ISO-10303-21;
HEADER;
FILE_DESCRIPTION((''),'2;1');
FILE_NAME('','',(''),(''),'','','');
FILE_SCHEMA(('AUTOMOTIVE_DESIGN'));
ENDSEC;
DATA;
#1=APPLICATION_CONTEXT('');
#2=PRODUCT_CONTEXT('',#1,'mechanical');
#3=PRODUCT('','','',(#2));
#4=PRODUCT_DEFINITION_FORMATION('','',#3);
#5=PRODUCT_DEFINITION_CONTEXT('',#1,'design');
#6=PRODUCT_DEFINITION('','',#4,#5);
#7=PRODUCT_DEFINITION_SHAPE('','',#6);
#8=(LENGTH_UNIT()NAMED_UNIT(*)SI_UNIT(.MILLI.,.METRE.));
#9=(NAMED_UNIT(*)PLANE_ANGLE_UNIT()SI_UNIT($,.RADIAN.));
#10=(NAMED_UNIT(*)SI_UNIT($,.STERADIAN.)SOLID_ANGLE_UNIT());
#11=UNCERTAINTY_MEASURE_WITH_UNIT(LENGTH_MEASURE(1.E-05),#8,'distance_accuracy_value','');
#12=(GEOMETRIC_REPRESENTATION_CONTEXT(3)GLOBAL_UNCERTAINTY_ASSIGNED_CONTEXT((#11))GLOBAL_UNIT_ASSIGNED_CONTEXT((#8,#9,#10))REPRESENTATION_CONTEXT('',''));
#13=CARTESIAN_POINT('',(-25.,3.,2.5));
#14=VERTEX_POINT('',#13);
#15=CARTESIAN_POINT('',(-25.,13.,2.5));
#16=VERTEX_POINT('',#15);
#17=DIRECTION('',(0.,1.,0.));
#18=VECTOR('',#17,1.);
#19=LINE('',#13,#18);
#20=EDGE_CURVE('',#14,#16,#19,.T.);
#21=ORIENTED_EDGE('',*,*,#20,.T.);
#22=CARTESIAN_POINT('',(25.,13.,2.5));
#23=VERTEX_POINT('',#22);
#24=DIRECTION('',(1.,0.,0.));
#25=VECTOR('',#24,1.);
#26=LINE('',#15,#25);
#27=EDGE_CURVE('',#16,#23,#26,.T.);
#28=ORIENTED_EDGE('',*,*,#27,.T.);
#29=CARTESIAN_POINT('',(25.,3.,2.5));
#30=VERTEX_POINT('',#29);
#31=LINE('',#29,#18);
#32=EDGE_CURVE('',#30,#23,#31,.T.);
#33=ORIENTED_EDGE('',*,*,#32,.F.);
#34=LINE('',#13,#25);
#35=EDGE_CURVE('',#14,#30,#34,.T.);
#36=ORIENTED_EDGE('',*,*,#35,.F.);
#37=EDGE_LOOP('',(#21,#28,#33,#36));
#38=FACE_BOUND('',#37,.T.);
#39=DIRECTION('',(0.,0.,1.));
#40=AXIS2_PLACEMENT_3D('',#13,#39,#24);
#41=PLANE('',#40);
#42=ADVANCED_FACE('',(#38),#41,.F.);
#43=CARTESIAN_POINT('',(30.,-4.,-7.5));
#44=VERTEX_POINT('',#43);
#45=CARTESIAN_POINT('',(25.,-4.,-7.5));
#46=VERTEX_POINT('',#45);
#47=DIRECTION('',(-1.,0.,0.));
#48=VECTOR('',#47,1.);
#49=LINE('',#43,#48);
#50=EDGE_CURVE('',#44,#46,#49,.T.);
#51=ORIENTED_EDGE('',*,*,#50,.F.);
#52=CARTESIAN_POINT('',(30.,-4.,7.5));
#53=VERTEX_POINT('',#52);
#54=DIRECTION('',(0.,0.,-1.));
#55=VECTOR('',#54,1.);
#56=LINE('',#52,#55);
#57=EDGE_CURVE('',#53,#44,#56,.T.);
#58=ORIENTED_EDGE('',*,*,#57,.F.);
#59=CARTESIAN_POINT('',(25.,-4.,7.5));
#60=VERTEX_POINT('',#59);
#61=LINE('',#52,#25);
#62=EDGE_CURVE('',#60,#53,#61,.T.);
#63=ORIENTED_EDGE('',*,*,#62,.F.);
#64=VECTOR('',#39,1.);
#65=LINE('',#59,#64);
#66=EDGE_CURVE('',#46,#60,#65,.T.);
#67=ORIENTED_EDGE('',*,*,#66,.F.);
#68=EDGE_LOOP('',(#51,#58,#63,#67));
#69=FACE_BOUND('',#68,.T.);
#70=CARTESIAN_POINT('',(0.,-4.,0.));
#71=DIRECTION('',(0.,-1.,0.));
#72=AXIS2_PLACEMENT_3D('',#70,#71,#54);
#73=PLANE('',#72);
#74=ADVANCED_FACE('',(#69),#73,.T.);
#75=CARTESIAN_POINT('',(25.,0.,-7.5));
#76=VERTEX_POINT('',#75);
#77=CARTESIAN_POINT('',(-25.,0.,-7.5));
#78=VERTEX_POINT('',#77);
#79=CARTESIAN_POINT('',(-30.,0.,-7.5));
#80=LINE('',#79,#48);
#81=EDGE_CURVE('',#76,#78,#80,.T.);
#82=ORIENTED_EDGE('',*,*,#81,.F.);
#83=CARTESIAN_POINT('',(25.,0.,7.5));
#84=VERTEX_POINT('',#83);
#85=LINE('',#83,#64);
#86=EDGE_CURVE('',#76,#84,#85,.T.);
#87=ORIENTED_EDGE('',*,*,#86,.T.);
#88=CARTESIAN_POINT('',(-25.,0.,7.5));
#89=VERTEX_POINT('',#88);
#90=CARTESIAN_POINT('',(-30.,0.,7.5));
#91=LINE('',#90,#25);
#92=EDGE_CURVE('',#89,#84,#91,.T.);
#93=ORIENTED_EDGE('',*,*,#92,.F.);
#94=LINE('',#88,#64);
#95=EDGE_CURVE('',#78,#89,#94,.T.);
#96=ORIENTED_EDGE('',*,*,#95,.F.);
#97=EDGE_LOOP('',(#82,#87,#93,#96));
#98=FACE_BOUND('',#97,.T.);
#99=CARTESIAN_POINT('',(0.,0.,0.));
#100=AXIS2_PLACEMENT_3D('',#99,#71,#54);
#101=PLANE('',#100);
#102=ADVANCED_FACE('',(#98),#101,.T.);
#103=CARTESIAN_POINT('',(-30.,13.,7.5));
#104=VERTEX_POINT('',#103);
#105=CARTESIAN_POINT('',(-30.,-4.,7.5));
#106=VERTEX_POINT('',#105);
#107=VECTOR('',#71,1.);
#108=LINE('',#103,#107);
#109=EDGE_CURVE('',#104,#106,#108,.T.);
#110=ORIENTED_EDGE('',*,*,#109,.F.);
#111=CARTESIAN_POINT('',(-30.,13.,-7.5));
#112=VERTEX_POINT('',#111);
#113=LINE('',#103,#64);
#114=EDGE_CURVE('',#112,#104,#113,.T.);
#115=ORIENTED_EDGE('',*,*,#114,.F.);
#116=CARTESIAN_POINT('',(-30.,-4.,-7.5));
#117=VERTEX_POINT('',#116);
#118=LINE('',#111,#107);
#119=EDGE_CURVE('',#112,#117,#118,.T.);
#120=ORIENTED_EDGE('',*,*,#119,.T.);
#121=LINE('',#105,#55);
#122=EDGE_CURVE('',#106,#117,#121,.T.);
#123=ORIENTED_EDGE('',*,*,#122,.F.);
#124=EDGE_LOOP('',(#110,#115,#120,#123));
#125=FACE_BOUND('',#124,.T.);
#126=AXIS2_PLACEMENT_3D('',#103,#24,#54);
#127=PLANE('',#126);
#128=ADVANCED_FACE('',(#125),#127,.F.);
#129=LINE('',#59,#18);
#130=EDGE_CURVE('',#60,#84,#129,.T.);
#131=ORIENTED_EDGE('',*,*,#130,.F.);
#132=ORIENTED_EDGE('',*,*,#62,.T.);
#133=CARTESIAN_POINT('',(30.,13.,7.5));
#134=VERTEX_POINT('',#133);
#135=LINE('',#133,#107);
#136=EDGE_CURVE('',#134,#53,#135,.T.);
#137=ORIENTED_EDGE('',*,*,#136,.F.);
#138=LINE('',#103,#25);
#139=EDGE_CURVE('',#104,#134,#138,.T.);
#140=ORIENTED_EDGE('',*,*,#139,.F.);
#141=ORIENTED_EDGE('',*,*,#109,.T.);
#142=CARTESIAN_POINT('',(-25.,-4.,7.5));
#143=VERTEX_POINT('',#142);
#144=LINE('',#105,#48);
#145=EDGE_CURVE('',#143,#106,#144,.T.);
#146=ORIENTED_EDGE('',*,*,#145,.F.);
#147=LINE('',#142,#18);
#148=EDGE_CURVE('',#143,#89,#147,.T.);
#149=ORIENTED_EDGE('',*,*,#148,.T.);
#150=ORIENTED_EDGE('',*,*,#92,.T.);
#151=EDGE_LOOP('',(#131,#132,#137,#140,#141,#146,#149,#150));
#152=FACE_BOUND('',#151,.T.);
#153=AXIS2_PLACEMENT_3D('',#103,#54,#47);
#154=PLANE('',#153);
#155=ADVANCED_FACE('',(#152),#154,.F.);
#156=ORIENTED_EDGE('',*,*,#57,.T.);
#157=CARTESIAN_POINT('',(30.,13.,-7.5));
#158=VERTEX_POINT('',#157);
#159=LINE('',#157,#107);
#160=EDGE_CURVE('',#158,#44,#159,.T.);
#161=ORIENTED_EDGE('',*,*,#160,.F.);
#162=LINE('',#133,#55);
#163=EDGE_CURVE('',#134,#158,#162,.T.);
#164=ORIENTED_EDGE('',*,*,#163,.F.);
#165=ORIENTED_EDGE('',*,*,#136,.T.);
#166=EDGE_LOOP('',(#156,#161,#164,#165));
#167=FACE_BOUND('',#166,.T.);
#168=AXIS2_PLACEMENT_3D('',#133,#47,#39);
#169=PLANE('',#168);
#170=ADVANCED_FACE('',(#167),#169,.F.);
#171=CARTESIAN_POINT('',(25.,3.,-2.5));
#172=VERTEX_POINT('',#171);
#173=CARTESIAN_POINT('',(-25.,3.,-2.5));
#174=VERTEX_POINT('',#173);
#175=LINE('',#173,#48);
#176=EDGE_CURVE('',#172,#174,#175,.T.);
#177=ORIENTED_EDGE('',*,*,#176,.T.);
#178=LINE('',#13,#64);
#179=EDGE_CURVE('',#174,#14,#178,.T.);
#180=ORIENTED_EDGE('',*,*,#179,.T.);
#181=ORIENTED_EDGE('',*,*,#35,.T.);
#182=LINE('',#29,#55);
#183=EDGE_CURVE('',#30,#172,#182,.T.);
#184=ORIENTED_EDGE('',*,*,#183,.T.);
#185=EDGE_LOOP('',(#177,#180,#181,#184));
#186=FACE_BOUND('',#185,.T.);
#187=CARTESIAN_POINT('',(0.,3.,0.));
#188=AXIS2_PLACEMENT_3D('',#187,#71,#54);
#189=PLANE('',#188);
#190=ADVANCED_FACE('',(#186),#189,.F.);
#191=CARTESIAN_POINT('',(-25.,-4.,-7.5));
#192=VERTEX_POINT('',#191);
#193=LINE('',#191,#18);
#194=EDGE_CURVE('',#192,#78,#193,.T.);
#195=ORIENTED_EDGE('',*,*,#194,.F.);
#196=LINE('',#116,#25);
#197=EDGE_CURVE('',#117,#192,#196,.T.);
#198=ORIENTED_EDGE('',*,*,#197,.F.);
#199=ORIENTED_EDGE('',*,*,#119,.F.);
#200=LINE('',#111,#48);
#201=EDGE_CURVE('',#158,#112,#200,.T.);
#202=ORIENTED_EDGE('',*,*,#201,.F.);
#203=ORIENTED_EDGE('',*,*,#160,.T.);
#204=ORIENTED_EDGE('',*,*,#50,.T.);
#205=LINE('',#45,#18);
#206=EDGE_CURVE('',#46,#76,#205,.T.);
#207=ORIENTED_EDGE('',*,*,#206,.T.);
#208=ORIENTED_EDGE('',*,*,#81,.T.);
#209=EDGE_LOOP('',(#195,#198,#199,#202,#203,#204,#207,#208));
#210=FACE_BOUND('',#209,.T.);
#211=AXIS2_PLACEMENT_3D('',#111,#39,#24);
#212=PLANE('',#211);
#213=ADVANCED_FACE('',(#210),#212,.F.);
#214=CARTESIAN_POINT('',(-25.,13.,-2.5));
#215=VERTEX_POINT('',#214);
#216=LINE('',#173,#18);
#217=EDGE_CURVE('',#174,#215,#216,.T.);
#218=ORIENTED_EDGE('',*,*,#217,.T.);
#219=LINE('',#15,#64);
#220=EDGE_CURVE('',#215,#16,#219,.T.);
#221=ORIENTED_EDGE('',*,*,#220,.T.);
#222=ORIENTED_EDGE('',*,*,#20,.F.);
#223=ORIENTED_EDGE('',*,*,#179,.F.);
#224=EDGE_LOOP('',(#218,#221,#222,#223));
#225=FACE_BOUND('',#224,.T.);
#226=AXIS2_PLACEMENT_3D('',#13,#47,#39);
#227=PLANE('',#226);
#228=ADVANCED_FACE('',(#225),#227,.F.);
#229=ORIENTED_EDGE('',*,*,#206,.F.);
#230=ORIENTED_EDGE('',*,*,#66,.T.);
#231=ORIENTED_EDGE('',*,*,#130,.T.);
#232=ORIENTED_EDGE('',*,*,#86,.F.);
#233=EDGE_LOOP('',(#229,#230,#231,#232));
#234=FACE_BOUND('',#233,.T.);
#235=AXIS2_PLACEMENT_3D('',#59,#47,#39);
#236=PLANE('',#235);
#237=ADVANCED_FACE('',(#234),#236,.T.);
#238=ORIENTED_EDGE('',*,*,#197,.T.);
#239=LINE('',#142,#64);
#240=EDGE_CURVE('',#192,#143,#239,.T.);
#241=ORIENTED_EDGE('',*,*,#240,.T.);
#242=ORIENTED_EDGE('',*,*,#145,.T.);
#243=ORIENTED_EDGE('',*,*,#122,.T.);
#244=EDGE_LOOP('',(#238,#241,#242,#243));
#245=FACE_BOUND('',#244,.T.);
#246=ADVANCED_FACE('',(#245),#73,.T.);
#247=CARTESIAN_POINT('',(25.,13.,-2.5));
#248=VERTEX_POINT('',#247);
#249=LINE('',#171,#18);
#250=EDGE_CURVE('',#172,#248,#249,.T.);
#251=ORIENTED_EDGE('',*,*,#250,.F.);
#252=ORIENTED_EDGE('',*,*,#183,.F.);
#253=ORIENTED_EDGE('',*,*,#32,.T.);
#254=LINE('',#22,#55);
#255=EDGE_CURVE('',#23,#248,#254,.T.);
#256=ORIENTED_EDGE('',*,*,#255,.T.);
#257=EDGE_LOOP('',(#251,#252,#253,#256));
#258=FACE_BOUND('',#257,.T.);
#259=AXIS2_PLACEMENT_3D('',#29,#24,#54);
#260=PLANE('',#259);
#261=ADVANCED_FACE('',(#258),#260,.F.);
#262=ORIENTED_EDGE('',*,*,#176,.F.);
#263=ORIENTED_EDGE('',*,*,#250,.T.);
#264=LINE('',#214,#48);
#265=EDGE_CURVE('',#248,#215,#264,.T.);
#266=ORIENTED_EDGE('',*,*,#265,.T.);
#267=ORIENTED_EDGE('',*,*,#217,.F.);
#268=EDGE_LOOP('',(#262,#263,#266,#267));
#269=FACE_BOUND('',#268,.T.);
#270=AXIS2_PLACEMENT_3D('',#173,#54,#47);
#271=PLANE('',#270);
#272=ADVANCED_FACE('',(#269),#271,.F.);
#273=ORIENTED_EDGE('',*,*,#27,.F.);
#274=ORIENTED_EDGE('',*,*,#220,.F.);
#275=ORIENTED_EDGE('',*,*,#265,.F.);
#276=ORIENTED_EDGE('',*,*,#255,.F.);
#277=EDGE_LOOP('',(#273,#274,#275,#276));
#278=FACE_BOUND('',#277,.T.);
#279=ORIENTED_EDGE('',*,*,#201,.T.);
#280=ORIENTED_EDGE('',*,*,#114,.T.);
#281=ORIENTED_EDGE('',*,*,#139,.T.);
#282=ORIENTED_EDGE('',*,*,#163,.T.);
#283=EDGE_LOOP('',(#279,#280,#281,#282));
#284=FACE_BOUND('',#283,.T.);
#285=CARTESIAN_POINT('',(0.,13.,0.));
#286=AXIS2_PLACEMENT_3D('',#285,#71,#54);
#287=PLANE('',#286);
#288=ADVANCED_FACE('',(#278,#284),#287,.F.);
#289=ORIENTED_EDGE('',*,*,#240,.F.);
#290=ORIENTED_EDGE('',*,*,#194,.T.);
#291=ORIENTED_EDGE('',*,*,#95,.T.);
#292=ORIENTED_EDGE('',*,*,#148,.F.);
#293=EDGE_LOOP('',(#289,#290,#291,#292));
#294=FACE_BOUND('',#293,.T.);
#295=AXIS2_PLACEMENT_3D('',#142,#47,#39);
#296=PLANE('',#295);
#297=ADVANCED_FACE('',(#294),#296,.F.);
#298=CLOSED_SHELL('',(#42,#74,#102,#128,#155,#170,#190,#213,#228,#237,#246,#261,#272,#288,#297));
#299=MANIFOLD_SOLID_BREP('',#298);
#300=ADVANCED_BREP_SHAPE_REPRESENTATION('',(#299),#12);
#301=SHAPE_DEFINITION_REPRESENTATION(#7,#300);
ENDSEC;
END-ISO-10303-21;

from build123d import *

# Parameters (mm, degrees)
SKETCH1_W           = 60
SKETCH1_H           = 15
BOSS_EXTRUDE1_DEPTH = 13
SKETCH4_W           = 5
SKETCH4_H           = 15
BOSS_EXTRUDE2_DEPTH = 4
SKETCH2_W           = 50
SKETCH2_H           = 5
CUT_EXTRUDE1_DEPTH  = 10


with BuildPart() as part:
    # Sketch1 → Boss-Extrude1 (new body)
    with BuildSketch(Plane(origin=(0, 0, 0), x_dir=(1, 0, 0), z_dir=(0, 1, 0))):
        Rectangle(SKETCH1_W, SKETCH1_H)
    extrude(amount=BOSS_EXTRUDE1_DEPTH)

    # Sketch4 → Boss-Extrude2 (add)
    with BuildSketch(Plane(origin=(0, 0, 0), x_dir=(-1, 0, 0), z_dir=(0, -1, 0))):
        with Locations((27.5, 0)):
            Rectangle(SKETCH4_W, SKETCH4_H)
    boss_extrude2 = extrude(amount=BOSS_EXTRUDE2_DEPTH)

    # Mirror1: Boss-Extrude2 across plane
    add(boss_extrude2.mirror(Plane(origin=(0, 0, 0), x_dir=(0, 0, 1), z_dir=(1, 0, 0))))

    # Sketch2 → Cut-Extrude1 (cut)
    with BuildSketch(Plane(origin=(0, 13, 0), x_dir=(1, 0, 0), z_dir=(0, 1, 0))):
        Rectangle(SKETCH2_W, SKETCH2_H)
    extrude(amount=-CUT_EXTRUDE1_DEPTH, mode=Mode.SUBTRACT)


solid = part.part
